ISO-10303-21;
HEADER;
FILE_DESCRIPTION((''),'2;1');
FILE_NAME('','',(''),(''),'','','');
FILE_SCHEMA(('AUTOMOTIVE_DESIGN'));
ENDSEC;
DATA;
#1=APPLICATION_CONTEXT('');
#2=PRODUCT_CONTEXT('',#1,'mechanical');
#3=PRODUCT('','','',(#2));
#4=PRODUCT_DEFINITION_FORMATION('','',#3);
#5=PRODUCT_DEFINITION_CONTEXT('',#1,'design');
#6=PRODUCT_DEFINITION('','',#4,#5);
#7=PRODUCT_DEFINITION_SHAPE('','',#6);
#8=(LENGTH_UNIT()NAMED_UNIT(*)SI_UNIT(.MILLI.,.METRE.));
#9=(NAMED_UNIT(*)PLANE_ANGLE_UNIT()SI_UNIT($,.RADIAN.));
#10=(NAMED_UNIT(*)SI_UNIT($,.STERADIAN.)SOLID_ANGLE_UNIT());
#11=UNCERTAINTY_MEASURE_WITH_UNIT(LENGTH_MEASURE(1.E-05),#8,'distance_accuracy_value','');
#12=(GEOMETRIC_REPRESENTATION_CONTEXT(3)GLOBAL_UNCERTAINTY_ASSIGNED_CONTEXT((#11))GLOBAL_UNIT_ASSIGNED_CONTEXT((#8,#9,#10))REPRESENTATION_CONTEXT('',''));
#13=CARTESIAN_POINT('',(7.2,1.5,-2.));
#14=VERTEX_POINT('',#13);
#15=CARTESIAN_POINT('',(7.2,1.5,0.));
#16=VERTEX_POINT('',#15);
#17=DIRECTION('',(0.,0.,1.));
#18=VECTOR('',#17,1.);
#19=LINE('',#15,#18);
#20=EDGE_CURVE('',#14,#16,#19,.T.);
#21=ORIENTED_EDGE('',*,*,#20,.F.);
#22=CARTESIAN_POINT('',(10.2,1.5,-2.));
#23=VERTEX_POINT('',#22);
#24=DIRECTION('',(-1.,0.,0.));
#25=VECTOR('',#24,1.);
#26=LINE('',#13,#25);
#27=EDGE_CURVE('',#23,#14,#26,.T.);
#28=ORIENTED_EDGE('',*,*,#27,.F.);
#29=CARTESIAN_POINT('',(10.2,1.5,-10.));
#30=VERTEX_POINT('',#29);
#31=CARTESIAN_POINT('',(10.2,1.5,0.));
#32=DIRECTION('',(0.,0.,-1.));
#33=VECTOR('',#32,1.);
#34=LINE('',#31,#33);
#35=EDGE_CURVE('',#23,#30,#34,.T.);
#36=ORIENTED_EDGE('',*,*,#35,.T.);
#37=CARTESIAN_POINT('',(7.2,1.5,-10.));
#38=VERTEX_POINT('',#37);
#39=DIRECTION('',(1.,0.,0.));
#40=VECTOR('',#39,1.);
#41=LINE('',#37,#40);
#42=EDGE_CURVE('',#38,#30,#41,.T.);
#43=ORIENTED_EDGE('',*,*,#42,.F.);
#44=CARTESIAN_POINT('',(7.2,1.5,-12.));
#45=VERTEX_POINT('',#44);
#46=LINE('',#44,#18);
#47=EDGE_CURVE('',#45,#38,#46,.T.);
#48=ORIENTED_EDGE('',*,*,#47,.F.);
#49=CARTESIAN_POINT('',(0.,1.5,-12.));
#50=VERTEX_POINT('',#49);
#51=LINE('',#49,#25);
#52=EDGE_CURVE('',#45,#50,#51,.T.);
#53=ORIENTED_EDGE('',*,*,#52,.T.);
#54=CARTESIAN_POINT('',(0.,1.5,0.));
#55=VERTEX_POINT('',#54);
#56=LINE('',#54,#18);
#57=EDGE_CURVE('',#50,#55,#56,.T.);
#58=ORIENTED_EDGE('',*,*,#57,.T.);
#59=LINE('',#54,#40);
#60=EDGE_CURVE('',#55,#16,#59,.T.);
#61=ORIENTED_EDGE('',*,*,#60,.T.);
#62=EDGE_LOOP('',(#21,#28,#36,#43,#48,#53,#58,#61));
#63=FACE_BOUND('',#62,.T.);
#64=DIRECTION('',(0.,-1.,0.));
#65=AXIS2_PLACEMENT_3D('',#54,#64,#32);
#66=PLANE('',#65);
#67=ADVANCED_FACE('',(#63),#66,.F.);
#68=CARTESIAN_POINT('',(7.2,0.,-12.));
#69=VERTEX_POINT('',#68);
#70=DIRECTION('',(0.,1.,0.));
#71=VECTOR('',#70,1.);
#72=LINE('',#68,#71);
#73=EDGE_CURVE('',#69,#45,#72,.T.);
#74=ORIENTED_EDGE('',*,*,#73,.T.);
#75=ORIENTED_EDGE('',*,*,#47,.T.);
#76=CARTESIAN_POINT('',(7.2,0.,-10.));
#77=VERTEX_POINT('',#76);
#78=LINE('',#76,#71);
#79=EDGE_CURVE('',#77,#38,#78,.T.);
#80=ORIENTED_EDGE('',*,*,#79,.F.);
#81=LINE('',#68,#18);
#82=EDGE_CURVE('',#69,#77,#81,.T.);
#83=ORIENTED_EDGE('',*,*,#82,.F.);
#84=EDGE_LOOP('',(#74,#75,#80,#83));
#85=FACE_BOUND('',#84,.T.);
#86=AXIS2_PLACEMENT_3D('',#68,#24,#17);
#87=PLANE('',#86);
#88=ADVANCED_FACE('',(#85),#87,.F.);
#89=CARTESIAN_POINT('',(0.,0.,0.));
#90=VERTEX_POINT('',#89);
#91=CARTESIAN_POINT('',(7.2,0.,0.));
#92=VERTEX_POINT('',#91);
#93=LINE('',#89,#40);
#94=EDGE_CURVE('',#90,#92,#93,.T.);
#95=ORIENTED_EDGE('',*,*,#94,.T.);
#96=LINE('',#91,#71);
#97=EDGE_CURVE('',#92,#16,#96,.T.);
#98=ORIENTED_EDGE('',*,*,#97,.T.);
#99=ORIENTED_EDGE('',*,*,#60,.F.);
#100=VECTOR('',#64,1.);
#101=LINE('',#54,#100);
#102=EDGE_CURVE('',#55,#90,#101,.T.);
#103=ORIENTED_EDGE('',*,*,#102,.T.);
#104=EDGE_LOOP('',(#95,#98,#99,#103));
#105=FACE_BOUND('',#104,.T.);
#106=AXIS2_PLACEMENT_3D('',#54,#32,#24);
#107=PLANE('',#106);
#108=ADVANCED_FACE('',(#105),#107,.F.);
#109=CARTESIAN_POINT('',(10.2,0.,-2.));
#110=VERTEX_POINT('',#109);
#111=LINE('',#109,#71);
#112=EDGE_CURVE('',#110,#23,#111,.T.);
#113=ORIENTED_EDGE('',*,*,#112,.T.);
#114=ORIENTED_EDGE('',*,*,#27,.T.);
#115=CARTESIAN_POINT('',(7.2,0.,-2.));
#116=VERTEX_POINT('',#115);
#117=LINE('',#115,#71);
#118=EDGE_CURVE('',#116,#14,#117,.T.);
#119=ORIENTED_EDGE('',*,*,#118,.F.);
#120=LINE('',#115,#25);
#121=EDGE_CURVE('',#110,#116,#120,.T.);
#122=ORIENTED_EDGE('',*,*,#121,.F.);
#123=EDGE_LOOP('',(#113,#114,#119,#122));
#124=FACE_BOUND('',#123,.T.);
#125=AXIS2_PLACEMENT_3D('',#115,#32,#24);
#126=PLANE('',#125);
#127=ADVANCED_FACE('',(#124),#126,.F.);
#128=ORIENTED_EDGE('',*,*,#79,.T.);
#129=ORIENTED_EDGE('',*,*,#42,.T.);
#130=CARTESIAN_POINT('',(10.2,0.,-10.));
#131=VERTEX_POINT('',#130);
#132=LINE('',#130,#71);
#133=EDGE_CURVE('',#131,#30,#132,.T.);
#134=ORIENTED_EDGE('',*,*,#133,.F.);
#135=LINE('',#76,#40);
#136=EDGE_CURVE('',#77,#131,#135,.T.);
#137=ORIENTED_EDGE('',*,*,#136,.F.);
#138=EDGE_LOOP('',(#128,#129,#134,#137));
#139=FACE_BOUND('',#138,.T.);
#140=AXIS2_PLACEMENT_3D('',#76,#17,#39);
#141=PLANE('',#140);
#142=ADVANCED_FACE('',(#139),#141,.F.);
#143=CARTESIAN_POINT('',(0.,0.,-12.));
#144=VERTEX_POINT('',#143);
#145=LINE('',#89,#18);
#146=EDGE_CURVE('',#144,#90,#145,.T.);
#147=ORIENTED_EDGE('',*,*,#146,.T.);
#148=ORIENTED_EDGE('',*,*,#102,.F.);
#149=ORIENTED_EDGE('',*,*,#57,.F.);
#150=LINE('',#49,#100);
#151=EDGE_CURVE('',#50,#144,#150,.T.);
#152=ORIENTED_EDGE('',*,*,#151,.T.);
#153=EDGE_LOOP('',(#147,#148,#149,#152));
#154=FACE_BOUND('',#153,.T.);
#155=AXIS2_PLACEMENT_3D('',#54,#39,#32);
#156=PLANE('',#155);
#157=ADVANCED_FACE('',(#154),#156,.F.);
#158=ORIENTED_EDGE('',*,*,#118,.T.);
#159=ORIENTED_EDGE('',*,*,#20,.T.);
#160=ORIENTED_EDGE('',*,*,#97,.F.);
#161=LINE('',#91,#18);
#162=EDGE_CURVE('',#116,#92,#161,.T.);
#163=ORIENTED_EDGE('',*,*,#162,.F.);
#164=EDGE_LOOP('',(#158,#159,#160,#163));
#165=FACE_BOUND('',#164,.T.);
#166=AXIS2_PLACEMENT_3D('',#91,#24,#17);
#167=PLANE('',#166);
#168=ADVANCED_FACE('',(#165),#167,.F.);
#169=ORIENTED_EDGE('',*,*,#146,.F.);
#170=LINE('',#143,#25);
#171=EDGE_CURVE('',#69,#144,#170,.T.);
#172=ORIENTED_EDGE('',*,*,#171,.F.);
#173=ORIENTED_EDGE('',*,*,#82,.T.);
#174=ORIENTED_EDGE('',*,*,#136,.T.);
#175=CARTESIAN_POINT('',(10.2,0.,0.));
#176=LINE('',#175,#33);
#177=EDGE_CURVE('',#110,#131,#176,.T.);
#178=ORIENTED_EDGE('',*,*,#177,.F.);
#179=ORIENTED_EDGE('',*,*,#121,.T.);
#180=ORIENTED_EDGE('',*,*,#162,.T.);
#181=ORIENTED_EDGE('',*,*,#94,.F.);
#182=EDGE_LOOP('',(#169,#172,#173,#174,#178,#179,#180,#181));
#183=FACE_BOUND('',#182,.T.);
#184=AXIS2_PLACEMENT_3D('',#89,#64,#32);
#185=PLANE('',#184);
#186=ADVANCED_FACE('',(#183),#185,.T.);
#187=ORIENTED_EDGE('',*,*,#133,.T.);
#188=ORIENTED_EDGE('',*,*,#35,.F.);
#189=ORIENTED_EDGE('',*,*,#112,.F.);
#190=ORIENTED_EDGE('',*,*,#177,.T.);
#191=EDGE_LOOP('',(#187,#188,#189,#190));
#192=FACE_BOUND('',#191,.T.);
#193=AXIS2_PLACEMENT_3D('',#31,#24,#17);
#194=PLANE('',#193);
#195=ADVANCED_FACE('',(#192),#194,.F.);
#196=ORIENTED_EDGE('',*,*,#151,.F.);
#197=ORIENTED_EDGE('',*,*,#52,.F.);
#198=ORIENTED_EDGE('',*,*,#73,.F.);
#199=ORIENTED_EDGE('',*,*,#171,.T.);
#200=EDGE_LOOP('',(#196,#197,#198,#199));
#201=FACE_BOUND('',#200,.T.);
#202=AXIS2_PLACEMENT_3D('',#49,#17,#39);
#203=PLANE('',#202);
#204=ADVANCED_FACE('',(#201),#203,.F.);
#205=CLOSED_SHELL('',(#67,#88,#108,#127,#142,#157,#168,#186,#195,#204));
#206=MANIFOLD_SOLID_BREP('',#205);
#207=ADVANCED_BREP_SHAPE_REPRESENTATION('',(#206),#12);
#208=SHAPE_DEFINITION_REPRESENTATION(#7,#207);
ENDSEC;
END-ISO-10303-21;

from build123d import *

# Parameters (mm, degrees)
SKETCH_1_W          = 10.2
SKETCH_1_H          = 12
EXTRUDE_1_DEPTH     = 1.5
SKETCH_2_W          = 3
SKETCH_2_H          = 2
CUT_EXTRUDE_1_DEPTH = 2.5


with BuildPart() as part:
    # Эскиз1 → Бобышка-Вытянуть1 (new body)
    with BuildSketch(Plane(origin=(0, 0, 0), x_dir=(1, 0, 0), z_dir=(0, 1, 0))):
        with Locations((5.1, 6)):
            Rectangle(SKETCH_1_W, SKETCH_1_H)
    extrude(amount=EXTRUDE_1_DEPTH)

    # Эскиз2 → Вырез-Вытянуть1 (cut, through all)
    with BuildSketch(Plane(origin=(0, 1.5, 0), x_dir=(1, 0, 0), z_dir=(0, 1, 0))):
        with Locations((8.7, 11)):
            Rectangle(SKETCH_2_W, SKETCH_2_H)
        with Locations((8.7, 1)):
            Rectangle(SKETCH_2_W, SKETCH_2_H)
    extrude(amount=-CUT_EXTRUDE_1_DEPTH, mode=Mode.SUBTRACT)


solid = part.part
